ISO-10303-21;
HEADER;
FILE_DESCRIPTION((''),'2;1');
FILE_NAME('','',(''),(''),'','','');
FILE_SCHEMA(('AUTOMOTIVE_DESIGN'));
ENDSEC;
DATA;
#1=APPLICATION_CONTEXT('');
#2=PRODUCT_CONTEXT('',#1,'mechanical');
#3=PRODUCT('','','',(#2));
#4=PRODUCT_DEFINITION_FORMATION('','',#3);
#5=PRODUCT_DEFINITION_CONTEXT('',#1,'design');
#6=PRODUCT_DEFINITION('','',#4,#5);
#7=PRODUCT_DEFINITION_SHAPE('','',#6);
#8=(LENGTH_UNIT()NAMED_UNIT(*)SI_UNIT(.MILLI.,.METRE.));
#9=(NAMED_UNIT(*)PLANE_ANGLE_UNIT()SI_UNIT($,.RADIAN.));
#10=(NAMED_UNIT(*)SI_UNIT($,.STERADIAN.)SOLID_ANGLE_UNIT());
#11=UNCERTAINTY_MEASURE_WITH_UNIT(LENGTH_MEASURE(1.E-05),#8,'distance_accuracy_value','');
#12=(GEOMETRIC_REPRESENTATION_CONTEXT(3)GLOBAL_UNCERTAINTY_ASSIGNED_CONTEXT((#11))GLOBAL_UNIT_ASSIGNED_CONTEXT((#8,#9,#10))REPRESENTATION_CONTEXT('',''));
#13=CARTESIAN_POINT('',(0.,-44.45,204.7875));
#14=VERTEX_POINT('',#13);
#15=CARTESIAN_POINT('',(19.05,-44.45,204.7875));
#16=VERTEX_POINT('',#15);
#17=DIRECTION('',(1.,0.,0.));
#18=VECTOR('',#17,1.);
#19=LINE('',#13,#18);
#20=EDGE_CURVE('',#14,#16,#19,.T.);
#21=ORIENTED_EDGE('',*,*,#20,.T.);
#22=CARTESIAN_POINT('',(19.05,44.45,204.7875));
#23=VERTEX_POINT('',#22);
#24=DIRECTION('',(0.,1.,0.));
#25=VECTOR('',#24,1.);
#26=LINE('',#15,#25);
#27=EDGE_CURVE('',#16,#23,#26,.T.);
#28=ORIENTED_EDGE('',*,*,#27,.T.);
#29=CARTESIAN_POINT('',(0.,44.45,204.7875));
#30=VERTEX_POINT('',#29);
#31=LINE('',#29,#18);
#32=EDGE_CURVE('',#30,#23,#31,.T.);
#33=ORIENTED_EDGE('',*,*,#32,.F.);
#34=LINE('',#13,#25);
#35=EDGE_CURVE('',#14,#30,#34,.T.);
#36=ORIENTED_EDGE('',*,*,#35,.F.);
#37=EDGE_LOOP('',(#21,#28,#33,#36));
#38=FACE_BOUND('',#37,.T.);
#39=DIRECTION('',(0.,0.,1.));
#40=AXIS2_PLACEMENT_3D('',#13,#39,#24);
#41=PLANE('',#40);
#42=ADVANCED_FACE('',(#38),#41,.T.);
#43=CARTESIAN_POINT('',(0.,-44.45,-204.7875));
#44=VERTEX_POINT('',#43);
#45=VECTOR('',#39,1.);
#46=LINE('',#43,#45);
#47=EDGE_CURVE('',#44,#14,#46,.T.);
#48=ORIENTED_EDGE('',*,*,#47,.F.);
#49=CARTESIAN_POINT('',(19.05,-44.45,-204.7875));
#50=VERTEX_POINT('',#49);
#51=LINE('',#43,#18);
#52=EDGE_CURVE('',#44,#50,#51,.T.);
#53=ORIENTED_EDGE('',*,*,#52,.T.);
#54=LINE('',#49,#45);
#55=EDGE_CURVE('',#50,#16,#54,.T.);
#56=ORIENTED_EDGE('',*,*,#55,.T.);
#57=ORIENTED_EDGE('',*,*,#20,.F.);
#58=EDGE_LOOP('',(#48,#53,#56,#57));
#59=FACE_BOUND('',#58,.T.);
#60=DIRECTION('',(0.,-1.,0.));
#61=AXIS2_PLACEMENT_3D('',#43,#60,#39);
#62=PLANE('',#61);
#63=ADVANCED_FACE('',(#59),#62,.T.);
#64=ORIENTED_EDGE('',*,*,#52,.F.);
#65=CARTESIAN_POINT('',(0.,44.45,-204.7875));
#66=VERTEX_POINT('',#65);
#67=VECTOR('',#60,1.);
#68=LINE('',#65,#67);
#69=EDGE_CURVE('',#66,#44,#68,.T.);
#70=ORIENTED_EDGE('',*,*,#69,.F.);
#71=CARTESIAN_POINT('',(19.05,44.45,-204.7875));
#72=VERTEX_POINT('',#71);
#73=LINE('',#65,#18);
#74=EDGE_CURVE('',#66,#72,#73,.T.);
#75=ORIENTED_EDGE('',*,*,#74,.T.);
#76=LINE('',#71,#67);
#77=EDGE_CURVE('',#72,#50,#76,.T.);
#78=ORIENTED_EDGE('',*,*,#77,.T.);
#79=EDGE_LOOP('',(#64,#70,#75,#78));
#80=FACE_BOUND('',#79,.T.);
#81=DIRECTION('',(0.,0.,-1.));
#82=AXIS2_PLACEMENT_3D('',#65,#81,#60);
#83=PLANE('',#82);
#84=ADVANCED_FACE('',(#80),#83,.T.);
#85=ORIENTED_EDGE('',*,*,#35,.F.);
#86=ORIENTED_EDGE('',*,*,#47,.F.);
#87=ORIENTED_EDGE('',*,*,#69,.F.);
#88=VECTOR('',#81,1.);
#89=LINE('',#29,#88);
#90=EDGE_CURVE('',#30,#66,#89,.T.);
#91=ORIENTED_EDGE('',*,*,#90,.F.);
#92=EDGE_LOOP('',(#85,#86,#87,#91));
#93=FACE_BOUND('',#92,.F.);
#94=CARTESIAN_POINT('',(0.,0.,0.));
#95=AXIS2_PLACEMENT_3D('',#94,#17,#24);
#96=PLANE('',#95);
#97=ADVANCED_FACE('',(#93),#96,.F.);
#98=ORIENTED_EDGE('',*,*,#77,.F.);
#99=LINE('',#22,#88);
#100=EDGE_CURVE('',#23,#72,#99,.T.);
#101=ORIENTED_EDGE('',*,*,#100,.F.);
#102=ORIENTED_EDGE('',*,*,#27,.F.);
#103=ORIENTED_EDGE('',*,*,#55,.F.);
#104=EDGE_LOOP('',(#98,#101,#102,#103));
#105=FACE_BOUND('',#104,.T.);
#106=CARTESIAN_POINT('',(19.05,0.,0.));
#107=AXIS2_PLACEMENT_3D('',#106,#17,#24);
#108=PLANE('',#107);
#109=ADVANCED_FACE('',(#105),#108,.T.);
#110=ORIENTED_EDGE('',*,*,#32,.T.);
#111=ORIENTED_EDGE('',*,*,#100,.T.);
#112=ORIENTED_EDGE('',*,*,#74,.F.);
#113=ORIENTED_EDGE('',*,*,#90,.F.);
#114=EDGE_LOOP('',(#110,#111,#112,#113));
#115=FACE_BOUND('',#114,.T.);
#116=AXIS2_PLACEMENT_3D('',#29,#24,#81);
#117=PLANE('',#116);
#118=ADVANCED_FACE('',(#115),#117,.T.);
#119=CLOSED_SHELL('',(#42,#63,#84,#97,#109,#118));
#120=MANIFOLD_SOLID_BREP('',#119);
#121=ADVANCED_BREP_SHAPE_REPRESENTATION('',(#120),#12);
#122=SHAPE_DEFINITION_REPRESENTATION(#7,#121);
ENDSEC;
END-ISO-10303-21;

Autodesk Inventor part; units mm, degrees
ref_plane "YZ Plane" through (0, 0, 0) normal (1, 0, 0) x (0, 1, 0)
ref_plane "XZ Plane" through (0, 0, 0) normal (0, 1, 0) x (-1, 0, 0)
ref_plane "XY Plane" through (0, 0, 0) normal (0, 0, 1) x (1, 0, 0)
sketch "Sketch1" plane through (0, 0, 0) normal (1, 0, 0) x (0, 1, 0)
  line L0 (-44.45, 204.7875) -> (44.45, 204.7875)
  line L1 (44.45, 204.7875) -> (44.45, -204.7875)
  line L2 (44.45, -204.7875) -> (-44.45, -204.7875)
  line L3 (-44.45, -204.7875) -> (-44.45, 204.7875)
  line L4 (-44.45, 204.7875) -> (44.45, -204.7875) construction
  line L5 (44.45, 204.7875) -> (-44.45, -204.7875) construction
  point P0 (0, 0)
  dimension "d0" = 88.9
  dimension "d1" = 409.575
extrude "Extrusion1" add sketch "Sketch1" along normal blind 19.05
properties part number "Short-Brace"
